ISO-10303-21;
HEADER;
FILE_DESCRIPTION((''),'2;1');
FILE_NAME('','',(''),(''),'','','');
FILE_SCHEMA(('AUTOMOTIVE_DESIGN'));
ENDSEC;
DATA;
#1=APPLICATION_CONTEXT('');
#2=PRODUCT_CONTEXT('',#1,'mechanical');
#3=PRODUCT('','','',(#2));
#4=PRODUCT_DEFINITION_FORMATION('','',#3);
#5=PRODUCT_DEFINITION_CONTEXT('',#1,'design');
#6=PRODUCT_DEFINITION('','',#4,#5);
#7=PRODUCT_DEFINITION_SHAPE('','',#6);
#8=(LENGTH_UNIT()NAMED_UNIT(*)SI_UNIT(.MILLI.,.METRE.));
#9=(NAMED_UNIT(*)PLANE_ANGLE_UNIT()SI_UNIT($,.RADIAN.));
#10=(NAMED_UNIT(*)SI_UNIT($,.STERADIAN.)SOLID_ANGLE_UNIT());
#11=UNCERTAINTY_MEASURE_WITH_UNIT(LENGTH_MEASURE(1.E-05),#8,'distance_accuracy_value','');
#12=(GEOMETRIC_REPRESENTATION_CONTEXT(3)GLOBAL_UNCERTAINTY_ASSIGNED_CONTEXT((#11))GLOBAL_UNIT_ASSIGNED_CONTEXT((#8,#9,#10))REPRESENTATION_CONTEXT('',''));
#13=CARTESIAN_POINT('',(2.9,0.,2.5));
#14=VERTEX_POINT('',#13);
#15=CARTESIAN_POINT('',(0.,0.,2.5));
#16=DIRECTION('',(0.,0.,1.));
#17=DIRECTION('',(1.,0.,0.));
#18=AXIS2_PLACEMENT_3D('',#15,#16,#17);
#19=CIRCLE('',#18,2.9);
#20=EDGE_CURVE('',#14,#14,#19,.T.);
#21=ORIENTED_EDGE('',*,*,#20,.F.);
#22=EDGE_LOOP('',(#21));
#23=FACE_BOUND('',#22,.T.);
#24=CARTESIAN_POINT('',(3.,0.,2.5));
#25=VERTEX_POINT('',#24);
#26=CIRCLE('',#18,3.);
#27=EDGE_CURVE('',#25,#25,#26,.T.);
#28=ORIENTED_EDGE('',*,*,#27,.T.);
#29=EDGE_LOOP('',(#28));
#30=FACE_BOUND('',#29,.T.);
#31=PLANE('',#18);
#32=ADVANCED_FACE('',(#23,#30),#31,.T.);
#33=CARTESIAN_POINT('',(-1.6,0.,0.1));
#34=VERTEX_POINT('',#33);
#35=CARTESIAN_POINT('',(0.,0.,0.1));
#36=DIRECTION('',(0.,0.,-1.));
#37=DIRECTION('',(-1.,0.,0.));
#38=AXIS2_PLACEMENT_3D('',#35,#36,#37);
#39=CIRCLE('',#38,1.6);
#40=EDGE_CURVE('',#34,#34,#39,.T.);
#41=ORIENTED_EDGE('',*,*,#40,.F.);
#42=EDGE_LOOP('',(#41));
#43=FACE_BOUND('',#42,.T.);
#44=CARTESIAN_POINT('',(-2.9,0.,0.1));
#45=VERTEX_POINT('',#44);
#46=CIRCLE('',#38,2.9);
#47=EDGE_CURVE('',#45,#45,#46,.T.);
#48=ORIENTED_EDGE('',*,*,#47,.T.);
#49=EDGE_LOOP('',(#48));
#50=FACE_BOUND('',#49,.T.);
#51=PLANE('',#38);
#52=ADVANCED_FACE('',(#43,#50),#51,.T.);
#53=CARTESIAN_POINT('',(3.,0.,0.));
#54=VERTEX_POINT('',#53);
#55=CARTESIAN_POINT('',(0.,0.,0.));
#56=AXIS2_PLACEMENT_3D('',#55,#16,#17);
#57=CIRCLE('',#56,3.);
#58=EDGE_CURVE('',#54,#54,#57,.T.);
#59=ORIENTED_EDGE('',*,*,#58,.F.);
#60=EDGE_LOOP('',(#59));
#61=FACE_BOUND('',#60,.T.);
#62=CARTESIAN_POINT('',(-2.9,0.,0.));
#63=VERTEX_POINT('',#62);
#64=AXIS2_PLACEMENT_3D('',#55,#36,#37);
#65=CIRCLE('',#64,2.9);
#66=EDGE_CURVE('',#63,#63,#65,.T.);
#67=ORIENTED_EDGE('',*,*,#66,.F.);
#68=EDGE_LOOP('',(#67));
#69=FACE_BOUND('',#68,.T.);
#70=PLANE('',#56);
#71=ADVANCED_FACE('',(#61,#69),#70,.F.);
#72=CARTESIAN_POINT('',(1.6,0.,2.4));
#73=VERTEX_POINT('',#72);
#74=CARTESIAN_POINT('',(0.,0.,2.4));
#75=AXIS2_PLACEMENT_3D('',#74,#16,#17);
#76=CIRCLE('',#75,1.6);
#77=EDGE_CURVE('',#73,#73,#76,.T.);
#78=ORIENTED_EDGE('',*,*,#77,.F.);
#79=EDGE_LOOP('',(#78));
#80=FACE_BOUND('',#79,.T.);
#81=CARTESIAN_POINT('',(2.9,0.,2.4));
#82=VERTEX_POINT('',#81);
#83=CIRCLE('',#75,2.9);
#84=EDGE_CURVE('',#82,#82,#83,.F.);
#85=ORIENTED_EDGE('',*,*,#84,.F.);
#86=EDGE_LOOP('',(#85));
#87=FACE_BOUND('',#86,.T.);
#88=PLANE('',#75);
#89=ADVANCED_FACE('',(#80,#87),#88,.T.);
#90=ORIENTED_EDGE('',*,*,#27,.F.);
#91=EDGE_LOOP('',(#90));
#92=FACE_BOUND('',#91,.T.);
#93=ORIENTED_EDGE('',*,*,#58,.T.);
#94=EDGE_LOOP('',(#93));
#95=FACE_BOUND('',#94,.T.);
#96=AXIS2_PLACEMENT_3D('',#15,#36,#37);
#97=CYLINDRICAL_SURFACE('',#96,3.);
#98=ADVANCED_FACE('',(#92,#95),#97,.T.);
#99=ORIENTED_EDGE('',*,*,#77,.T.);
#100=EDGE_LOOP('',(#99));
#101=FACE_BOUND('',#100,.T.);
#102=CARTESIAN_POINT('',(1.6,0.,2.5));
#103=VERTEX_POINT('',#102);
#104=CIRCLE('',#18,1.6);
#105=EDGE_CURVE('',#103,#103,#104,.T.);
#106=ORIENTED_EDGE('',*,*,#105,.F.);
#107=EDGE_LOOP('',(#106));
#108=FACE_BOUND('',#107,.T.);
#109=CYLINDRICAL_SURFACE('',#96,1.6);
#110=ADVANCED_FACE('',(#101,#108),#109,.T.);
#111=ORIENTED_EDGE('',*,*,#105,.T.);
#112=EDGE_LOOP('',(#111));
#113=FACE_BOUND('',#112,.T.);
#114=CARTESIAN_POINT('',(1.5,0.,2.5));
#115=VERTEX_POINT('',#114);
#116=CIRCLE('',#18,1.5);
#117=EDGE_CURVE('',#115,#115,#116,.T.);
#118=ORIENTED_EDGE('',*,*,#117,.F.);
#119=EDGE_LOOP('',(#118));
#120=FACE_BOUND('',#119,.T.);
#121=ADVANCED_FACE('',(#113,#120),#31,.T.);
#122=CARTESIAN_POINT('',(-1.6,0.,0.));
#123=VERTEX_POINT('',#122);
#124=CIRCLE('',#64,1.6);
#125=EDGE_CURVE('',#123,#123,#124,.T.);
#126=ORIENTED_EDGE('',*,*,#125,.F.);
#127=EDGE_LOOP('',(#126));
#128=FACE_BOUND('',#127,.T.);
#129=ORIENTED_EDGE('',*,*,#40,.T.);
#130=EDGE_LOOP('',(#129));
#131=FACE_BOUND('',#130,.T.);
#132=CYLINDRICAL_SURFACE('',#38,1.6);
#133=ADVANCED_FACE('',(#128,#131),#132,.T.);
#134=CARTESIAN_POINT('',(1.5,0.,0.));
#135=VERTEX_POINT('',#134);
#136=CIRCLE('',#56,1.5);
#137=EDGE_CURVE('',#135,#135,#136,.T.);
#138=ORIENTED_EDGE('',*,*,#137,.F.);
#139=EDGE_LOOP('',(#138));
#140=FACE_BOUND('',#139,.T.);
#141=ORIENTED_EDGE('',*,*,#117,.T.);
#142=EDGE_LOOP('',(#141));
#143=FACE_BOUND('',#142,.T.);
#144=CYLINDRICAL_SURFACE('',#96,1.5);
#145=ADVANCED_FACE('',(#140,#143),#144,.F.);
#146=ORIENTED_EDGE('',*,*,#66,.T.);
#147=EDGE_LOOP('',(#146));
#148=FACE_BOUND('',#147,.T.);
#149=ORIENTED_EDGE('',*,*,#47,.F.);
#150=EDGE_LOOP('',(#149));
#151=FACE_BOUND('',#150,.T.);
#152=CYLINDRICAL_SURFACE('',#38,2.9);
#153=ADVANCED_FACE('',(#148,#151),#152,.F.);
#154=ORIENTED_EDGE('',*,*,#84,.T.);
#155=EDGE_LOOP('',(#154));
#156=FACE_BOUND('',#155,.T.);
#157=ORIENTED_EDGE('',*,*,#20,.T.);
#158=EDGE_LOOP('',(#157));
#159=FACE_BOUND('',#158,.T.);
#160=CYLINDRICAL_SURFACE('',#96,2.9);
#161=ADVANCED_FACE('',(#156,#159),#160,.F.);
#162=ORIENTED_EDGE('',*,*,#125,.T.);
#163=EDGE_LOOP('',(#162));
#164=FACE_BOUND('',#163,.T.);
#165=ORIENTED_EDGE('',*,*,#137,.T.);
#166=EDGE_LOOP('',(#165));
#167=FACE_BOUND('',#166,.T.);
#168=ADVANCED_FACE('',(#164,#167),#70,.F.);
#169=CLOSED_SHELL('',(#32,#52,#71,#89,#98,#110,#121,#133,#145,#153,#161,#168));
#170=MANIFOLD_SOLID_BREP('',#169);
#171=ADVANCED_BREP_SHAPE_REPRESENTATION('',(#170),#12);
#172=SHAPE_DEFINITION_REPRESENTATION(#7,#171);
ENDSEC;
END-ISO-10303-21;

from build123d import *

# Parameters (mm, degrees)
CROQUIS1_R                = 1.6
CROQUIS1_R_2              = 1.5
SALIENTE_EXTRUIR1_DEPTH   = 2.5
CROQUIS1_R_3              = 3
CROQUIS1_R_4              = 2.9
SALIENTE_EXTRUIR1_2_DEPTH = 2.5
CROQUIS2_R                = 2.9
CROQUIS2_R_2              = 1.6
SALIENTE_EXTRUIR4_DEPTH   = 2.4
CROQUIS3_R                = 2.9
CROQUIS3_R_2              = 1.6
CORTAR_EXTRUIR1_DEPTH     = 0.1


with BuildPart() as part:
    # Croquis1 → Saliente-Extruir1 (new body)
    with BuildSketch(Plane.XY):
        Circle(CROQUIS1_R)
        Circle(CROQUIS1_R_2, mode=Mode.SUBTRACT)
    extrude(amount=SALIENTE_EXTRUIR1_DEPTH)



with BuildPart() as body_2:
    # Croquis1 → Saliente-Extruir1 2 (new body)
    with BuildSketch(Plane.XY):
        Circle(CROQUIS1_R_3)
        Circle(CROQUIS1_R_4, mode=Mode.SUBTRACT)
    extrude(amount=SALIENTE_EXTRUIR1_2_DEPTH)


with BuildPart() as part_1:
    add(part.part)

    add(body_2.part)  # Saliente-Extruir4 merges body 2
    # Croquis2 → Saliente-Extruir4 (add)
    with BuildSketch(Plane.XY):
        Circle(CROQUIS2_R)
        Circle(CROQUIS2_R_2, mode=Mode.SUBTRACT)
    extrude(amount=SALIENTE_EXTRUIR4_DEPTH)

    # Croquis3 → Cortar-Extruir1 (cut)
    with BuildSketch(Plane(origin=(0, 0, 0), x_dir=(-1, 0, 0), z_dir=(0, 0, -1))):
        with Locations(Location((0, 0, 0), (0, 0, 180))):
            Circle(CROQUIS3_R)
        with Locations(Location((0, 0, 0), (0, 0, 180))):
            Circle(CROQUIS3_R_2, mode=Mode.SUBTRACT)
    extrude(amount=-CORTAR_EXTRUIR1_DEPTH, mode=Mode.SUBTRACT)


solid = part_1.part
